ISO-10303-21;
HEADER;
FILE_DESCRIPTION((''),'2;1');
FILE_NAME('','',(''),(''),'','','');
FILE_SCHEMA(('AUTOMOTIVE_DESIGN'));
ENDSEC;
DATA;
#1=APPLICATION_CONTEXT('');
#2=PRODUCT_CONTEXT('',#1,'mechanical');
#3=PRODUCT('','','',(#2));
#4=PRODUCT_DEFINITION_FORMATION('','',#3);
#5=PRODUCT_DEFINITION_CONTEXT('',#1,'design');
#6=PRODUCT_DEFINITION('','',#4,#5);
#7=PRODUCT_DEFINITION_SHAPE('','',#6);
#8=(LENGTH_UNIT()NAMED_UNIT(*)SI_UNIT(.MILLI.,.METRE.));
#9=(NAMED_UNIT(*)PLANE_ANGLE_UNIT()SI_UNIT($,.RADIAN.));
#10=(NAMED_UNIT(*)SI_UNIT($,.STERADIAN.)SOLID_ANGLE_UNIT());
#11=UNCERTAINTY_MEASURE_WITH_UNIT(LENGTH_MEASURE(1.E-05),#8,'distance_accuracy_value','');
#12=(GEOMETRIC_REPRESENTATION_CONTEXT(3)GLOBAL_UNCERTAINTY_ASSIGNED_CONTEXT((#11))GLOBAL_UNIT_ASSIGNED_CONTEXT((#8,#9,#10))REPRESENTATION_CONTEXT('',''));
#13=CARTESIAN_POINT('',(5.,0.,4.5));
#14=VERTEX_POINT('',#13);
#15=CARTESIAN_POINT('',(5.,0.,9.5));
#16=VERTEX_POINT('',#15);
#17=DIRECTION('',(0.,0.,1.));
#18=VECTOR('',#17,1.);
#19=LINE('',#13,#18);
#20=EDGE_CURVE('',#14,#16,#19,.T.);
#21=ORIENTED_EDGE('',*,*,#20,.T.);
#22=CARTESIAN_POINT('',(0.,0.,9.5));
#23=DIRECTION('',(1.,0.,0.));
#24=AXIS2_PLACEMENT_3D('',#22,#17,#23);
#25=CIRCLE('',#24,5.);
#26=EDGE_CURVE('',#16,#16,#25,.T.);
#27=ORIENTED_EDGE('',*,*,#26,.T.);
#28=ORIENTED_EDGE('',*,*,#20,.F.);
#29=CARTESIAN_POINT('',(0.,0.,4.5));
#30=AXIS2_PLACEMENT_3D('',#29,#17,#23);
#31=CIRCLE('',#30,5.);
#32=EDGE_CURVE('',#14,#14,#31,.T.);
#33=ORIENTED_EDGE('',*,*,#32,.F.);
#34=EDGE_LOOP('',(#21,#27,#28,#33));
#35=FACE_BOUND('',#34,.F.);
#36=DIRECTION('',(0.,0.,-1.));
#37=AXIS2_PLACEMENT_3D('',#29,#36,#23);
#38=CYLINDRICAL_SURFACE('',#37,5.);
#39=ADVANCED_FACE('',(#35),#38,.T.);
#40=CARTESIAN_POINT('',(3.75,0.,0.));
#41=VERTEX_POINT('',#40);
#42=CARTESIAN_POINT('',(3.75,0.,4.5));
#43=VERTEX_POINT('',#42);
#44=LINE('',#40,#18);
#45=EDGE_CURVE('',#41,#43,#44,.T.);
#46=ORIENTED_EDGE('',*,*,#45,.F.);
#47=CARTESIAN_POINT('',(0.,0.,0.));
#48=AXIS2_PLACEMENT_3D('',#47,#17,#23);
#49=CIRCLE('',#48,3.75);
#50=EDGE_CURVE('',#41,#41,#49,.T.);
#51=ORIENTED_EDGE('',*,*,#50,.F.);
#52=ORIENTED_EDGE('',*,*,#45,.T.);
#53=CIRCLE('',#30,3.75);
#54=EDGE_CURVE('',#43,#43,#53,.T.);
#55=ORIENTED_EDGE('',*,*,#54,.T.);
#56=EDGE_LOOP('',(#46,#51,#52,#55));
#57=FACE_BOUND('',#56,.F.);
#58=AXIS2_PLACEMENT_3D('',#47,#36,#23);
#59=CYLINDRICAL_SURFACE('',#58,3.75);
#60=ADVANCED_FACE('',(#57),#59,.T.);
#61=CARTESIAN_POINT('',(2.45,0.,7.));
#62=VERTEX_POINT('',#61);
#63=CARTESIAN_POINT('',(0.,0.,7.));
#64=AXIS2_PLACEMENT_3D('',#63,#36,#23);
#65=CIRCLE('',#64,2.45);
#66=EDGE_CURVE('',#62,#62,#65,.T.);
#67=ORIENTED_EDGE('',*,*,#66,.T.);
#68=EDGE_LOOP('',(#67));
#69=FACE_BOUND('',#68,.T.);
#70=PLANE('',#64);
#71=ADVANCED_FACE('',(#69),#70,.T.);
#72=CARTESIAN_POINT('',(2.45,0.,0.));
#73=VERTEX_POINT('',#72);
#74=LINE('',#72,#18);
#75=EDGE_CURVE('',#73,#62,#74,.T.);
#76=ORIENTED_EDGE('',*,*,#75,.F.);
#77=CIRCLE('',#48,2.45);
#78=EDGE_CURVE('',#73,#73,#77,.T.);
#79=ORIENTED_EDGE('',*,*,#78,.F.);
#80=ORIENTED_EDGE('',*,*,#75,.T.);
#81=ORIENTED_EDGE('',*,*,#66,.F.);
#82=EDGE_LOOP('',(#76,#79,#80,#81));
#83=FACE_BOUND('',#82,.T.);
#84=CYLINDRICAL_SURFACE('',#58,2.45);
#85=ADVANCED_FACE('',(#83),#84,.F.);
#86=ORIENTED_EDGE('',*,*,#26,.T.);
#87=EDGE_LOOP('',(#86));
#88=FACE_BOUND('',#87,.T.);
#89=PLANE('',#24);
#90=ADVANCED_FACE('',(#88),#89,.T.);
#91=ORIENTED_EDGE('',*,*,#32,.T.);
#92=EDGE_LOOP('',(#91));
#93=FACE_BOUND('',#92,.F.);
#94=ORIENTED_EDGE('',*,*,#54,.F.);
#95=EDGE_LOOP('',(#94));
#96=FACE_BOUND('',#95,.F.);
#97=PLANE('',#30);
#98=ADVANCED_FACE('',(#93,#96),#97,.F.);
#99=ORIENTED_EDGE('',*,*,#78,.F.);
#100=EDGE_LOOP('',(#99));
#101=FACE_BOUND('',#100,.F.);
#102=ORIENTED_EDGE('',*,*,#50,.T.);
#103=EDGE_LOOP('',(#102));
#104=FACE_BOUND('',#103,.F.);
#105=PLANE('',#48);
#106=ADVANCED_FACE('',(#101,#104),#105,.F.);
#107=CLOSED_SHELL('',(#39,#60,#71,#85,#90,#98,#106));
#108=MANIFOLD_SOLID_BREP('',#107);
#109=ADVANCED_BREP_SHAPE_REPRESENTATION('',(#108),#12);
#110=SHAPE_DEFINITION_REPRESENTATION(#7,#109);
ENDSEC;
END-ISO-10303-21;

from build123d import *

# Parameters (mm, degrees)
F0_R     = 3.75
F0_R_2   = 2.45
F1_DEPTH = 4.5
F2_R     = 5
F3_DEPTH = 5
F4_R     = 2.45
F5_DEPTH = 2.5


with BuildPart() as f1:
    # F0 (on Top) → F1 (new body)
    with BuildSketch(Plane.XY):
        Circle(F0_R)
        Circle(F0_R_2, mode=Mode.SUBTRACT)
    extrude(amount=F1_DEPTH)

    # F2 (on face) → F3 (join)
    with BuildSketch(Plane.XY.offset(4.5)):
        Circle(F2_R)
    extrude(amount=F3_DEPTH)

    # F4 (on face) → F5 (cut)
    with BuildSketch(Plane(origin=(0, 0, 4.5), x_dir=(1, 0, 0), z_dir=(0, 0, -1))):
        Circle(F4_R)
    extrude(amount=-F5_DEPTH, mode=Mode.SUBTRACT)


solid = f1.part
